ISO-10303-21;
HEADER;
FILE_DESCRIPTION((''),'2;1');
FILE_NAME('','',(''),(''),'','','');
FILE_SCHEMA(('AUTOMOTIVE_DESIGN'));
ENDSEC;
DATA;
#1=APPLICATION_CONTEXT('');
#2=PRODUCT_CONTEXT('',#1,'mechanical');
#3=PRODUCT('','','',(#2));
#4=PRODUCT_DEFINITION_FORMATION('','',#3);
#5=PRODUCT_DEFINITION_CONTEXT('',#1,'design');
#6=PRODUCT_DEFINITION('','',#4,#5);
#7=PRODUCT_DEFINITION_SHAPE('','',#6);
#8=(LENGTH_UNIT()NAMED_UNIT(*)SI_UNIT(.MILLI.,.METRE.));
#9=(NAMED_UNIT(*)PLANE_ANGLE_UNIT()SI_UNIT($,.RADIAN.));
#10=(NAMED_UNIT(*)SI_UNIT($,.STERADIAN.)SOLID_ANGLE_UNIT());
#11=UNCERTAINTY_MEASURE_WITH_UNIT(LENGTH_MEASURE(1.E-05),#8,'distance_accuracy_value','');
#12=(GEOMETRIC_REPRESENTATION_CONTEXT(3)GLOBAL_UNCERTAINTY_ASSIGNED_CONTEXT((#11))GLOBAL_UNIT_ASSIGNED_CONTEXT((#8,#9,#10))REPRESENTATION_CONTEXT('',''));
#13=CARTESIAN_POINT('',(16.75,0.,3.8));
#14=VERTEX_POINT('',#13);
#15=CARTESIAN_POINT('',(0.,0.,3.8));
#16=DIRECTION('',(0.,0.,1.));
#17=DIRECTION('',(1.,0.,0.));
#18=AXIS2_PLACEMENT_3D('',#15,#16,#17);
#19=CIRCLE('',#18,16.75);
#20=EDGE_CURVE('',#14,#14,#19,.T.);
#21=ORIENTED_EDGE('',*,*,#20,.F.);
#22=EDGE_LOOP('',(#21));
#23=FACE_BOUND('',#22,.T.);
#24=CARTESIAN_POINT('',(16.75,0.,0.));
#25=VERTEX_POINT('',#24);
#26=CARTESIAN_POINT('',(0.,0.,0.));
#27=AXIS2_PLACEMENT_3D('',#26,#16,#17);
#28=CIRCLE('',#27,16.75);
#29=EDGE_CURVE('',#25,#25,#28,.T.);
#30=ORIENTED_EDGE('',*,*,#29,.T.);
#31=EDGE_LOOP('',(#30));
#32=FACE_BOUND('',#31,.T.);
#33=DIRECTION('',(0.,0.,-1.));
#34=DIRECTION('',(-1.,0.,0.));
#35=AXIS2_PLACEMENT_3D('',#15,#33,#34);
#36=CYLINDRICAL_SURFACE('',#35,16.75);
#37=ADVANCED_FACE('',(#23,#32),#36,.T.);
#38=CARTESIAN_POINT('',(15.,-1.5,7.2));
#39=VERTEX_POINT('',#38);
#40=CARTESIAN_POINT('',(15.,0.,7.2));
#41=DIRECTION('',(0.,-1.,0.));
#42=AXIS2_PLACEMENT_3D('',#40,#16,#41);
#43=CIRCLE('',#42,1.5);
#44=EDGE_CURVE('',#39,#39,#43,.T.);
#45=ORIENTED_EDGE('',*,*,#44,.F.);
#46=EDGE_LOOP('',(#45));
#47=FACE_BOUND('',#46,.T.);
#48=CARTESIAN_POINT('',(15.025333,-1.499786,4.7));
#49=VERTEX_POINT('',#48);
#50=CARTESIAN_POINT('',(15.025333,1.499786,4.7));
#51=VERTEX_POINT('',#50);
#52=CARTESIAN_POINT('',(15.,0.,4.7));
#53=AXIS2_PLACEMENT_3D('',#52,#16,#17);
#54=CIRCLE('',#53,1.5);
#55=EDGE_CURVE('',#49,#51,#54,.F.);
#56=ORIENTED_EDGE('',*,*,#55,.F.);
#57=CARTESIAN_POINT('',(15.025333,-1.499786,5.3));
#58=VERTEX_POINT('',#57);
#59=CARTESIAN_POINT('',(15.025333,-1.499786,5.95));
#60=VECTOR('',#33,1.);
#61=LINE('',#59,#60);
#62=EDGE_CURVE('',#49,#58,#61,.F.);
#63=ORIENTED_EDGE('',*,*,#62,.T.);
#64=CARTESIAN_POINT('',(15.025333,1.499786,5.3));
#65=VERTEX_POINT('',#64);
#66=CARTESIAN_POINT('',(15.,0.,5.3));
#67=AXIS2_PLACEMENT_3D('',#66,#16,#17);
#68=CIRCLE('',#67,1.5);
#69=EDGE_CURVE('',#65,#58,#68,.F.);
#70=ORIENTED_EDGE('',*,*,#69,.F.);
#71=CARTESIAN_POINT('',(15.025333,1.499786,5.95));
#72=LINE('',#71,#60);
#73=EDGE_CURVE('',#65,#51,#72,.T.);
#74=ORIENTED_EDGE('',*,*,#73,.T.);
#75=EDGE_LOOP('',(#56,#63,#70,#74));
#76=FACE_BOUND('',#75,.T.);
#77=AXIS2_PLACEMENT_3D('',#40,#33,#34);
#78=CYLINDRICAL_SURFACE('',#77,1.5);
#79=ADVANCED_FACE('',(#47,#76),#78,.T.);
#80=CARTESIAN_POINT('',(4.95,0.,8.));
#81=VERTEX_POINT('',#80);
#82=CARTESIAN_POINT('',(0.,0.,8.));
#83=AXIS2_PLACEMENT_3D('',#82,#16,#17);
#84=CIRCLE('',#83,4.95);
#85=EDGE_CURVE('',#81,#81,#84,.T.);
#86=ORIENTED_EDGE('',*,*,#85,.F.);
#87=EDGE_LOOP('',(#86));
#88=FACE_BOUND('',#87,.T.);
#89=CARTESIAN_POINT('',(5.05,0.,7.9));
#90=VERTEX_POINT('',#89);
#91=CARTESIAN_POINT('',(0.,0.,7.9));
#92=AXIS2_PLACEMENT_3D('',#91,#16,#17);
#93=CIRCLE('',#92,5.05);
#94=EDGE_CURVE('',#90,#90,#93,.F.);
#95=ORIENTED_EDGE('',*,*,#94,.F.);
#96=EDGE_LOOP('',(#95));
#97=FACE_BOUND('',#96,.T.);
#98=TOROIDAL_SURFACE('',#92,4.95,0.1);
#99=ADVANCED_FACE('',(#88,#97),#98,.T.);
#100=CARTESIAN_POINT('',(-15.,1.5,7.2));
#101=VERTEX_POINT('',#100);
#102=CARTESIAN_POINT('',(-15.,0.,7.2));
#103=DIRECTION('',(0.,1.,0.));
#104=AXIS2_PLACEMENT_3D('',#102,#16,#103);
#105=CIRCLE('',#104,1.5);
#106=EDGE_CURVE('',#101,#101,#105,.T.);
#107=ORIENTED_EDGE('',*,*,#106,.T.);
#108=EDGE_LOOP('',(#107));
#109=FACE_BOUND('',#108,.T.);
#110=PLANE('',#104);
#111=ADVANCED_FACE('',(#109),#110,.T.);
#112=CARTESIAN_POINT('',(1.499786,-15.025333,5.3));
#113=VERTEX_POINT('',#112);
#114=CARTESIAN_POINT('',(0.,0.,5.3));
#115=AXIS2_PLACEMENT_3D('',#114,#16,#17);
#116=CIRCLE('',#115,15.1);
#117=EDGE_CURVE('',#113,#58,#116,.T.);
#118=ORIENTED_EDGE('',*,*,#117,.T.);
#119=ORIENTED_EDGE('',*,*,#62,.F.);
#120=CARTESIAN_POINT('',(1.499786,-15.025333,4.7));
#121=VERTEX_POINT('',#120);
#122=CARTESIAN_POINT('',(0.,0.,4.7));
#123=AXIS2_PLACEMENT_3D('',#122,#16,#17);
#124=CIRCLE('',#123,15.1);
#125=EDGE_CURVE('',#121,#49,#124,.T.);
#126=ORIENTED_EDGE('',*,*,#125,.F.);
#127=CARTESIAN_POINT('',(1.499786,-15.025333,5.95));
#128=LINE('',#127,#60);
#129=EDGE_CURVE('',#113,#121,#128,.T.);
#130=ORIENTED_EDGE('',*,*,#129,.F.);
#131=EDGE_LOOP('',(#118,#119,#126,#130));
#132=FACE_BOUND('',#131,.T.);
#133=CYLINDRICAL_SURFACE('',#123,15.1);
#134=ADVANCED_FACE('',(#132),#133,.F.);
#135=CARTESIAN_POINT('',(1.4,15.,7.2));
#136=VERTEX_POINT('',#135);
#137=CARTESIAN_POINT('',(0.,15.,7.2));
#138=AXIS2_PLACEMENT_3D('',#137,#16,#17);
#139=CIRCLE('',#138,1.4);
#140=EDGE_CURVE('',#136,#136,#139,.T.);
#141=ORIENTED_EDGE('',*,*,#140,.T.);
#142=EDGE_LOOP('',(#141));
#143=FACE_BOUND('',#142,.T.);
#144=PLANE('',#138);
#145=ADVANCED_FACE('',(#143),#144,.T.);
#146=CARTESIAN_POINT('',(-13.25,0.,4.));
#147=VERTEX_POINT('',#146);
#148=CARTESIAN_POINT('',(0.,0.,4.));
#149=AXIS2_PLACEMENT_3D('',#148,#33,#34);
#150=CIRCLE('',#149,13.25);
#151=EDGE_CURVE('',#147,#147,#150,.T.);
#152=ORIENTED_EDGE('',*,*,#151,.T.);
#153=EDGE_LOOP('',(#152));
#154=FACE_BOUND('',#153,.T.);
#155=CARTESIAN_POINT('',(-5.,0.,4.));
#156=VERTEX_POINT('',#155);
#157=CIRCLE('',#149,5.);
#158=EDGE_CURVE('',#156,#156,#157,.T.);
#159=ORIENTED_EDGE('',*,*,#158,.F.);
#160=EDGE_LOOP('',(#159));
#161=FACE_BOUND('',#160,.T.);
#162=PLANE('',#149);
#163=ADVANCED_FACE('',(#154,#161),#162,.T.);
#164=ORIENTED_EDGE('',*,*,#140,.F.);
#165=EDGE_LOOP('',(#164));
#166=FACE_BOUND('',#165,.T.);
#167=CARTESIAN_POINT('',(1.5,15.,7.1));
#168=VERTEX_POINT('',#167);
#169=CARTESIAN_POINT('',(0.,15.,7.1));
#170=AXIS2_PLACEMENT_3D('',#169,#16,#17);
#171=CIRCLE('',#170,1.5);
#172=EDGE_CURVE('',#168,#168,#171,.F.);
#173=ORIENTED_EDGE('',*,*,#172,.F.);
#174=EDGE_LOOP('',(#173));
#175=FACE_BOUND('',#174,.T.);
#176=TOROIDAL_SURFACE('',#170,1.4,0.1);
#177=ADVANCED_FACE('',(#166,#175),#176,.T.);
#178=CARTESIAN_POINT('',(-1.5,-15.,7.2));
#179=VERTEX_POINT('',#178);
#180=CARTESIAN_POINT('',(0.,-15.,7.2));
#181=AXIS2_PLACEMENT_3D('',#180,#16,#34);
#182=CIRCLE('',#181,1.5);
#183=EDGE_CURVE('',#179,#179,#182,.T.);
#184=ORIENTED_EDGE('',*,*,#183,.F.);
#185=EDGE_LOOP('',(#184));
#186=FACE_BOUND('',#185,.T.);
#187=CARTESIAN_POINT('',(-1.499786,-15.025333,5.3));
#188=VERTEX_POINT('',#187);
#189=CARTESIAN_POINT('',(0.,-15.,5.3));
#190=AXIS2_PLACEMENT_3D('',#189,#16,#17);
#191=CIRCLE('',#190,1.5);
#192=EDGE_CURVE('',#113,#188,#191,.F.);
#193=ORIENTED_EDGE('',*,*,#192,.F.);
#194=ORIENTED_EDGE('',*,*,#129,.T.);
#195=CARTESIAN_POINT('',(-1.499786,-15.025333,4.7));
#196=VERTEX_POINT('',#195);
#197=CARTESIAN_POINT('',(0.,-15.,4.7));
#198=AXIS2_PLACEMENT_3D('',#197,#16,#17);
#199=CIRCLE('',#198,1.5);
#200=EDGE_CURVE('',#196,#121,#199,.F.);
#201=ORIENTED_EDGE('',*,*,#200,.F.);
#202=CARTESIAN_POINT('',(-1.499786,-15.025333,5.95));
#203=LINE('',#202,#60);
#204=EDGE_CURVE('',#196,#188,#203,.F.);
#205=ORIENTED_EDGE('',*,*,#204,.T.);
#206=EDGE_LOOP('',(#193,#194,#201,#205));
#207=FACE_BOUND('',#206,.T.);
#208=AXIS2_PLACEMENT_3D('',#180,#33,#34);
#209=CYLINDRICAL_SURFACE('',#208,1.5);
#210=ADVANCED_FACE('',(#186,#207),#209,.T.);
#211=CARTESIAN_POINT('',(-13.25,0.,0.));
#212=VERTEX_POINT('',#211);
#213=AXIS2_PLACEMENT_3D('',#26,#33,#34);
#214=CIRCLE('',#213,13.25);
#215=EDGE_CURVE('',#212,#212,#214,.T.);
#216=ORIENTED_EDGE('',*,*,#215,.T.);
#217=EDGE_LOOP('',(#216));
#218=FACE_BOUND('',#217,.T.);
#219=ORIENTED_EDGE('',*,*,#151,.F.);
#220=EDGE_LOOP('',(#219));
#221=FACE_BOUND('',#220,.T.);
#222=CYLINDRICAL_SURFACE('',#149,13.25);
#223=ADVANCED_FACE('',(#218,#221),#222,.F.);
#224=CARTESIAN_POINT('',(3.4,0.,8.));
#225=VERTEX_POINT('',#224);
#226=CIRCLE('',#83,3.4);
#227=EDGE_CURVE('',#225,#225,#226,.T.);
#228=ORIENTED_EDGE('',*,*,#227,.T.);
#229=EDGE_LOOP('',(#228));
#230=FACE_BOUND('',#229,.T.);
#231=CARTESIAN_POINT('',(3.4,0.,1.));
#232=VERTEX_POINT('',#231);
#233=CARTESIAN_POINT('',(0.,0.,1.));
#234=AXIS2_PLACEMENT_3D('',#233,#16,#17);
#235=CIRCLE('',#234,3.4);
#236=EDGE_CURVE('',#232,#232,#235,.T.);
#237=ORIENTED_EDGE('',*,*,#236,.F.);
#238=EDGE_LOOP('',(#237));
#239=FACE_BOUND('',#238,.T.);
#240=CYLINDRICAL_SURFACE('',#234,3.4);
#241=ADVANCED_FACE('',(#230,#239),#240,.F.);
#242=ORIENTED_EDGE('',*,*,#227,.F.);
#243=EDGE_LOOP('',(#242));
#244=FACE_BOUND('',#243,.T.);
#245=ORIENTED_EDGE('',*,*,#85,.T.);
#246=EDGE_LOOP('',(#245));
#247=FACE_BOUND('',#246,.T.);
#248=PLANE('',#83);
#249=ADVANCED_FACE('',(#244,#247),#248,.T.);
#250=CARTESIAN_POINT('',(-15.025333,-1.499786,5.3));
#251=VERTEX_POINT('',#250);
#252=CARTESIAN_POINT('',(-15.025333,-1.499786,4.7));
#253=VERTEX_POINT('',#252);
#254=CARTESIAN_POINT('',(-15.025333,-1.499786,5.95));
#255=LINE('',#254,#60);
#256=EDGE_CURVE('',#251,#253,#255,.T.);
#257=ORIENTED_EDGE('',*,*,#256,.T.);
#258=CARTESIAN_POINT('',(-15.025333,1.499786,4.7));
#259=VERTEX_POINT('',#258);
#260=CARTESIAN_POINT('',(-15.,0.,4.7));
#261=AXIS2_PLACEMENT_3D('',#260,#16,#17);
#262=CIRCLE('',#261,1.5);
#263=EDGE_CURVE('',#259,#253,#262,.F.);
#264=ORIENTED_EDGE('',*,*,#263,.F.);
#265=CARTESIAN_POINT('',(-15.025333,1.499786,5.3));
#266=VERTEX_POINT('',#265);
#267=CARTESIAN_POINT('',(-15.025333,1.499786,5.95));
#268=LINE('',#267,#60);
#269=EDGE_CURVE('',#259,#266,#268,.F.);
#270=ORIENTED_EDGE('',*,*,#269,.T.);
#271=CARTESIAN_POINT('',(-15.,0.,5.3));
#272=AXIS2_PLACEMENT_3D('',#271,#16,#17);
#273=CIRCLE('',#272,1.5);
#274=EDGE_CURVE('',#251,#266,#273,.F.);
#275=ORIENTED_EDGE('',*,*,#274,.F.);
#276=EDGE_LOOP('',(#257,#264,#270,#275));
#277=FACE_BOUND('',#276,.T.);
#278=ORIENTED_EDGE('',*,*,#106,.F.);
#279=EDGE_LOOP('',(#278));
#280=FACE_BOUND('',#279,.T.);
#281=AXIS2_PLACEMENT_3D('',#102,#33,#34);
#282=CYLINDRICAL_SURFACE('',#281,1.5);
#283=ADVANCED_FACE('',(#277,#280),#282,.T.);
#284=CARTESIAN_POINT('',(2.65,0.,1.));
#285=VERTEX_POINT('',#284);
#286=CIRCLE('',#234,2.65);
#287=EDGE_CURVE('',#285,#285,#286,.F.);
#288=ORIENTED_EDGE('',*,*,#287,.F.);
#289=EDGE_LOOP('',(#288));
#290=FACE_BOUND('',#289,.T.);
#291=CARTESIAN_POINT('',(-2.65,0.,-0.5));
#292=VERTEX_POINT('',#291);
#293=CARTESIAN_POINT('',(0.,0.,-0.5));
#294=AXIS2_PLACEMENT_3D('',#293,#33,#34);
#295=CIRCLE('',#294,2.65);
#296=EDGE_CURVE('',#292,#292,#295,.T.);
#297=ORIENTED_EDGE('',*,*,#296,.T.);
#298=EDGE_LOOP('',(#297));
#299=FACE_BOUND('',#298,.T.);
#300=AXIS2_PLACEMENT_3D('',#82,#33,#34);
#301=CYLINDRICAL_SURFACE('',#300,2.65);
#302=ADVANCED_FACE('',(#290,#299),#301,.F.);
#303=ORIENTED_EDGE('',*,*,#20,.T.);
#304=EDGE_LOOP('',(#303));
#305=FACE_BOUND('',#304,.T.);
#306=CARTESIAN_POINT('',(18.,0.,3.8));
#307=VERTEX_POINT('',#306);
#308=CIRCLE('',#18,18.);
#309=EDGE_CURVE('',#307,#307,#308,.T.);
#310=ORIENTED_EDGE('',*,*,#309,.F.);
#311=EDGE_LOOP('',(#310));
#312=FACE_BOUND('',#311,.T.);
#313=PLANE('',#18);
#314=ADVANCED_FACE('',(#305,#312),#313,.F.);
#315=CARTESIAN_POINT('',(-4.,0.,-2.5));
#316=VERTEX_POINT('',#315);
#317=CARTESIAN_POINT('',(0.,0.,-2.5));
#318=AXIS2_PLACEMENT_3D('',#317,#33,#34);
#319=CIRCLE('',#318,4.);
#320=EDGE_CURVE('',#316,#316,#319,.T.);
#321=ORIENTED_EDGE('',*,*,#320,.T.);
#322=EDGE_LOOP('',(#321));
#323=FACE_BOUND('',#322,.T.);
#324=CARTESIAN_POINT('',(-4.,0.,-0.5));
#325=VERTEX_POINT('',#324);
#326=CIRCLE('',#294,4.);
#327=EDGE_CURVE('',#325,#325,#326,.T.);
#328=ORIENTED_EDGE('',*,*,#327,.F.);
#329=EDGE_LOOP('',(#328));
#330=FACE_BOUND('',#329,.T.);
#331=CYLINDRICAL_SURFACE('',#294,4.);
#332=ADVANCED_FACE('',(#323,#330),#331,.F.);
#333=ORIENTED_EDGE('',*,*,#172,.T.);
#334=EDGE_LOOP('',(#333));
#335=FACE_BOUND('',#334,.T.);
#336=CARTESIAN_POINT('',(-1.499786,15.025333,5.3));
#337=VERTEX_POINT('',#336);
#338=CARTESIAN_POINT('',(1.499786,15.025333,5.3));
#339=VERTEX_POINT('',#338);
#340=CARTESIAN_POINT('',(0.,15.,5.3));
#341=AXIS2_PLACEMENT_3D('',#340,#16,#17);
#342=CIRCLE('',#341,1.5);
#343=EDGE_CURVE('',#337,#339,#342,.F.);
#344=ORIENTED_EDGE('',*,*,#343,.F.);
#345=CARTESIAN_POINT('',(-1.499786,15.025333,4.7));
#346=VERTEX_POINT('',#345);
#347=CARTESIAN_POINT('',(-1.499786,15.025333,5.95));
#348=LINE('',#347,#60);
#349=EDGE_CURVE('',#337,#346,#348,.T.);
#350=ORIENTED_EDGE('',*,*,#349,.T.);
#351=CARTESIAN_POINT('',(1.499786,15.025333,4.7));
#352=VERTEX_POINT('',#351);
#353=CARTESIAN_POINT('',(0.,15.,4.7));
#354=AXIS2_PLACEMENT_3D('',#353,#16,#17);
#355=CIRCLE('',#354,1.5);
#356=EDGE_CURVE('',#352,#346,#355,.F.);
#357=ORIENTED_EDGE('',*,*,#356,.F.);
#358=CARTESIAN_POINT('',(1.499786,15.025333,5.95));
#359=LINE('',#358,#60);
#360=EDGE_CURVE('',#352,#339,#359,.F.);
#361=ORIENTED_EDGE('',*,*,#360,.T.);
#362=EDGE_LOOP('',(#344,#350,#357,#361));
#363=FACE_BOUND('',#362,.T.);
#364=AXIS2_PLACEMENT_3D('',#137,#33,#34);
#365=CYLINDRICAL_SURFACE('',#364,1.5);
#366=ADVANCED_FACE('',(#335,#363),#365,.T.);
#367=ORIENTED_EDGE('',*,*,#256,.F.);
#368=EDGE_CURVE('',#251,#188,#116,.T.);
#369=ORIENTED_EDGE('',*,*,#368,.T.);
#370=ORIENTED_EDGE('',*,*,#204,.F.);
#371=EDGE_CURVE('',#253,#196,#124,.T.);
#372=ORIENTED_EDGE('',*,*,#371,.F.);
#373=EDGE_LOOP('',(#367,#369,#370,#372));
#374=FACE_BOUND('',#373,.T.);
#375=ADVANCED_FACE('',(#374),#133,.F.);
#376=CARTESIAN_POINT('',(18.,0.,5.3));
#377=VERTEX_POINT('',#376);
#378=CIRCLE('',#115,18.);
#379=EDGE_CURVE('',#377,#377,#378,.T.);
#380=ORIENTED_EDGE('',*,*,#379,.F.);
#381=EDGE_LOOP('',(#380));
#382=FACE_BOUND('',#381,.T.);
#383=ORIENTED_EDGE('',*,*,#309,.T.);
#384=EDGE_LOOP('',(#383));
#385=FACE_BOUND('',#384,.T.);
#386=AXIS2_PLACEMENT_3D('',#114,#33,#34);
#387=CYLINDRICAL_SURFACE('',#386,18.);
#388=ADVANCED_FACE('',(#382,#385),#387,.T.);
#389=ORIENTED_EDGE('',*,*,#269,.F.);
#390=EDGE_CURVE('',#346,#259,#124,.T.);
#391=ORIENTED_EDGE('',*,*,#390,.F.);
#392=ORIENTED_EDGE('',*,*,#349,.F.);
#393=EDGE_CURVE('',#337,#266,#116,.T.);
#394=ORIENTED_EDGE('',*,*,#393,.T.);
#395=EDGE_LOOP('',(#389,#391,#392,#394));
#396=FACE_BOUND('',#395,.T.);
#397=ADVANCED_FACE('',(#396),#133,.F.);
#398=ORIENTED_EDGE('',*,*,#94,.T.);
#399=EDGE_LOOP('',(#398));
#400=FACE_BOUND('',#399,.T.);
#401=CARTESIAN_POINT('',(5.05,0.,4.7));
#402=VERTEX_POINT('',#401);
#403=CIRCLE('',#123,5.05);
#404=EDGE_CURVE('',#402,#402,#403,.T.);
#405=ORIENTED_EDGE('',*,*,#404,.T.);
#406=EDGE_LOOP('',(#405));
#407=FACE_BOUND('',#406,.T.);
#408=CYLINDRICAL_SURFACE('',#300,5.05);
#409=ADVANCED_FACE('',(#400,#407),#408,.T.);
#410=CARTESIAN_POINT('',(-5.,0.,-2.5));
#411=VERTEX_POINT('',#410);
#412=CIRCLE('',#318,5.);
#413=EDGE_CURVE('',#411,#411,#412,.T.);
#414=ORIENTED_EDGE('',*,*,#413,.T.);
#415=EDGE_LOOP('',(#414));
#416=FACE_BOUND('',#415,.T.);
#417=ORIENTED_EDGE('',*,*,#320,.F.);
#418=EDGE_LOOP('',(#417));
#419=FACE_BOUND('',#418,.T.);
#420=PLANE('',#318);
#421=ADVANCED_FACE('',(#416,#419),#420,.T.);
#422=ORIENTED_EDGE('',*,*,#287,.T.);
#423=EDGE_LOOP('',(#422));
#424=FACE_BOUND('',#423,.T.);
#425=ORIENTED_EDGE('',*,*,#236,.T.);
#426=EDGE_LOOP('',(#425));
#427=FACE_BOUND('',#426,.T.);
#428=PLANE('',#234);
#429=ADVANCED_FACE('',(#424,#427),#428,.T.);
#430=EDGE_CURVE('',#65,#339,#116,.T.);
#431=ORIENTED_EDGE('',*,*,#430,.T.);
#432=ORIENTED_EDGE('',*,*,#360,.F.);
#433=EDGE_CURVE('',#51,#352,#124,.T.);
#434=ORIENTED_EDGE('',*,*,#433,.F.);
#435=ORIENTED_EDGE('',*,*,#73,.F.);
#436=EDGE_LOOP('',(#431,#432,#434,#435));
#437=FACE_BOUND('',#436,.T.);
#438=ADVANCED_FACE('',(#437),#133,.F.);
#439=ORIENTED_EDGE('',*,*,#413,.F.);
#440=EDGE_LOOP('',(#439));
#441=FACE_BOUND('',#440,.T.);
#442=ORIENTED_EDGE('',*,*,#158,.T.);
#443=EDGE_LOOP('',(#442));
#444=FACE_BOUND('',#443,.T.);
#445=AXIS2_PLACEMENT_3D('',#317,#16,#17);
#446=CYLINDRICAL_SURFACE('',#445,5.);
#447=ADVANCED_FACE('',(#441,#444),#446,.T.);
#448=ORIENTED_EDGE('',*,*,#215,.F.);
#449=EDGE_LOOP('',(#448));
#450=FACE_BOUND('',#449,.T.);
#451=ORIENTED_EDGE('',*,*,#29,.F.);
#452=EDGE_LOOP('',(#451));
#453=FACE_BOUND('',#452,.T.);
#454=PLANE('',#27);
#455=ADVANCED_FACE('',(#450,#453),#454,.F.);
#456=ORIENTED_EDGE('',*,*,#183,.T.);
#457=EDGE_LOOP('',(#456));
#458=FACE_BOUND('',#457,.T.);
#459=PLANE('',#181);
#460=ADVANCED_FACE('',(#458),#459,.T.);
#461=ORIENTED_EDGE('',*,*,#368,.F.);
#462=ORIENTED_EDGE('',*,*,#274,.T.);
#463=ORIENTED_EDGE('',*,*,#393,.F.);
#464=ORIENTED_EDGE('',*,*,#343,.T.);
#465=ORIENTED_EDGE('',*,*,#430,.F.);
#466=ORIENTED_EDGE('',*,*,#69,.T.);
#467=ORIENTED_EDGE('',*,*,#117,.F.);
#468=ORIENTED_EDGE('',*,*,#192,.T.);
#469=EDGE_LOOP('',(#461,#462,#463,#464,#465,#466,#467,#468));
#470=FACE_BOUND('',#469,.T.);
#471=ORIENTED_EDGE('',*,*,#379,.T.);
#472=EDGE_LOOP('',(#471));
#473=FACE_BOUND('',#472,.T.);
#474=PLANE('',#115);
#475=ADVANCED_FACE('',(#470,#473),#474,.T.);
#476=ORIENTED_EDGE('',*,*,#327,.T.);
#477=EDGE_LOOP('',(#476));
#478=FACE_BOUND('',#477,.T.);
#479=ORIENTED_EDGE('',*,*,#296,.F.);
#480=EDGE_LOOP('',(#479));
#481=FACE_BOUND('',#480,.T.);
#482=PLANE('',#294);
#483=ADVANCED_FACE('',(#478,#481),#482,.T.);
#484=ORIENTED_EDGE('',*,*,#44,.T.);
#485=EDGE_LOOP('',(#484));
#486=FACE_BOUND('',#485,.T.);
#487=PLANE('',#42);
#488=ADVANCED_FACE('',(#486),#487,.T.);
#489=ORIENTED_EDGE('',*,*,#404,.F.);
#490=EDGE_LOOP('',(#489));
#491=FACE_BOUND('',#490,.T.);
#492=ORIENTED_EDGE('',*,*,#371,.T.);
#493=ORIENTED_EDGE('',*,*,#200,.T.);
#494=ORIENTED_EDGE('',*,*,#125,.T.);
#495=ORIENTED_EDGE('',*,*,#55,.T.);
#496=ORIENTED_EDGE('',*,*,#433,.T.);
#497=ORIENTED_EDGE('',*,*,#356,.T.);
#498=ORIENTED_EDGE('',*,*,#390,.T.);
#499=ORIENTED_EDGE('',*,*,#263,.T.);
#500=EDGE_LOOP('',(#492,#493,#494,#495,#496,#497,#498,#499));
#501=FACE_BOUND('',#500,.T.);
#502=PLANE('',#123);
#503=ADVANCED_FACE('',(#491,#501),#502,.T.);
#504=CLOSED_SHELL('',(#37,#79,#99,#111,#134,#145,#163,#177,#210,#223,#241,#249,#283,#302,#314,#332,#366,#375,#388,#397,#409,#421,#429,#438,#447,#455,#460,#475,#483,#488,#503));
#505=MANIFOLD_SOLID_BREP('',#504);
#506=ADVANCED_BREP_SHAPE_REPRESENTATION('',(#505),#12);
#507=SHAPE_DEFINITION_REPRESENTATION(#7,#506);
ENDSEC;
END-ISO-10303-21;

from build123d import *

# Parameters (mm, degrees)
SKETCH1_R           = 16.75
BOSS_EXTRUDE1_DEPTH = 3.8
SKETCH2_R           = 18
BOSS_EXTRUDE2_DEPTH = 1.5
SKETCH3_R           = 13.25
CUT_EXTRUDE1_DEPTH  = 4
SKETCH4_R           = 5
BOSS_EXTRUDE3_DEPTH = 6.5
SKETCH5_R           = 4
CUT_EXTRUDE2_DEPTH  = 2
SKETCH7_R           = 15.1
CUT_EXTRUDE3_DEPTH  = 0.6
SKETCH8_R           = 5.05
BOSS_EXTRUDE4_DEPTH = 3.3
SKETCH6_R           = 2.65
CUT_EXTRUDE4_DEPTH  = 9.5
SKETCH9_R           = 3.4
CUT_EXTRUDE5_DEPTH  = 7
SKETCH10_R          = 1.5
BOSS_EXTRUDE5_DEPTH = 2.5
FILLET2_R           = 0.1
FILLET3_R           = 0.1
CIRPATTERN1_COUNT   = 4


with BuildPart() as part:
    # Sketch1 → Boss-Extrude1 (new body)
    with BuildSketch(Plane.XY):
        Circle(SKETCH1_R)
    extrude(amount=BOSS_EXTRUDE1_DEPTH)

    # Sketch2 → Boss-Extrude2 (add)
    with BuildSketch(Plane.XY.offset(3.8)):
        Circle(SKETCH2_R)
    extrude(amount=BOSS_EXTRUDE2_DEPTH)

    # Sketch3 → Cut-Extrude1 (cut)
    with BuildSketch(Plane(origin=(0, 0, 0), x_dir=(-1, 0, 0), z_dir=(0, 0, -1))):
        Circle(SKETCH3_R)
    extrude(amount=-CUT_EXTRUDE1_DEPTH, mode=Mode.SUBTRACT)

    # Sketch4 → Boss-Extrude3 (add)
    with BuildSketch(Plane(origin=(0, 0, 4), x_dir=(-1, 0, 0), z_dir=(0, 0, -1))):
        Circle(SKETCH4_R)
    extrude(amount=BOSS_EXTRUDE3_DEPTH)

    # Sketch5 → Cut-Extrude2 (cut)
    with BuildSketch(Plane(origin=(0, 0, -2.5), x_dir=(-1, 0, 0), z_dir=(0, 0, -1))):
        Circle(SKETCH5_R)
    extrude(amount=-CUT_EXTRUDE2_DEPTH, mode=Mode.SUBTRACT)

    # Sketch7 → Cut-Extrude3 (cut)
    with BuildSketch(Plane.XY.offset(5.3)):
        Circle(SKETCH7_R)
    extrude(amount=-CUT_EXTRUDE3_DEPTH, mode=Mode.SUBTRACT)

    # Sketch8 → Boss-Extrude4 (add)
    with BuildSketch(Plane.XY.offset(4.7)):
        Circle(SKETCH8_R)
    extrude(amount=BOSS_EXTRUDE4_DEPTH)

    # Sketch6 → Cut-Extrude4 (cut, through all)
    with BuildSketch(Plane(origin=(0, 0, -0.5), x_dir=(-1, 0, 0), z_dir=(0, 0, -1))):
        Circle(SKETCH6_R)
    extrude(amount=-CUT_EXTRUDE4_DEPTH, mode=Mode.SUBTRACT)

    # Sketch9 → Cut-Extrude5 (cut)
    with BuildSketch(Plane.XY.offset(8)):
        Circle(SKETCH9_R)
    extrude(amount=-CUT_EXTRUDE5_DEPTH, mode=Mode.SUBTRACT)

    # Sketch10 → Boss-Extrude5 (add)
    with BuildSketch(Plane.XY.offset(4.7)):
        with Locations((0, 15)):
            Circle(SKETCH10_R)
    boss_extrude5 = extrude(amount=BOSS_EXTRUDE5_DEPTH)

    # Fillet2
    fillet2_edges = [part.edges().sort_by_distance(p)[0] for p in [
        (-1.5, 15, 7.2),
    ]]
    fillet(fillet2_edges, radius=FILLET2_R)

    # Fillet3
    fillet3_edges = [part.edges().sort_by_distance(p)[0] for p in [
        (-5.05, 0, 8),
    ]]
    fillet(fillet3_edges, radius=FILLET3_R)

    # CirPattern1: Boss-Extrude5 ×4 about axis
    cirpattern1_axis = Axis((0, 0, 0), (0, 0, 1))
    for i in range(1, CIRPATTERN1_COUNT):
        add(boss_extrude5.rotate(cirpattern1_axis, i * 360 / CIRPATTERN1_COUNT))


solid = part.part
